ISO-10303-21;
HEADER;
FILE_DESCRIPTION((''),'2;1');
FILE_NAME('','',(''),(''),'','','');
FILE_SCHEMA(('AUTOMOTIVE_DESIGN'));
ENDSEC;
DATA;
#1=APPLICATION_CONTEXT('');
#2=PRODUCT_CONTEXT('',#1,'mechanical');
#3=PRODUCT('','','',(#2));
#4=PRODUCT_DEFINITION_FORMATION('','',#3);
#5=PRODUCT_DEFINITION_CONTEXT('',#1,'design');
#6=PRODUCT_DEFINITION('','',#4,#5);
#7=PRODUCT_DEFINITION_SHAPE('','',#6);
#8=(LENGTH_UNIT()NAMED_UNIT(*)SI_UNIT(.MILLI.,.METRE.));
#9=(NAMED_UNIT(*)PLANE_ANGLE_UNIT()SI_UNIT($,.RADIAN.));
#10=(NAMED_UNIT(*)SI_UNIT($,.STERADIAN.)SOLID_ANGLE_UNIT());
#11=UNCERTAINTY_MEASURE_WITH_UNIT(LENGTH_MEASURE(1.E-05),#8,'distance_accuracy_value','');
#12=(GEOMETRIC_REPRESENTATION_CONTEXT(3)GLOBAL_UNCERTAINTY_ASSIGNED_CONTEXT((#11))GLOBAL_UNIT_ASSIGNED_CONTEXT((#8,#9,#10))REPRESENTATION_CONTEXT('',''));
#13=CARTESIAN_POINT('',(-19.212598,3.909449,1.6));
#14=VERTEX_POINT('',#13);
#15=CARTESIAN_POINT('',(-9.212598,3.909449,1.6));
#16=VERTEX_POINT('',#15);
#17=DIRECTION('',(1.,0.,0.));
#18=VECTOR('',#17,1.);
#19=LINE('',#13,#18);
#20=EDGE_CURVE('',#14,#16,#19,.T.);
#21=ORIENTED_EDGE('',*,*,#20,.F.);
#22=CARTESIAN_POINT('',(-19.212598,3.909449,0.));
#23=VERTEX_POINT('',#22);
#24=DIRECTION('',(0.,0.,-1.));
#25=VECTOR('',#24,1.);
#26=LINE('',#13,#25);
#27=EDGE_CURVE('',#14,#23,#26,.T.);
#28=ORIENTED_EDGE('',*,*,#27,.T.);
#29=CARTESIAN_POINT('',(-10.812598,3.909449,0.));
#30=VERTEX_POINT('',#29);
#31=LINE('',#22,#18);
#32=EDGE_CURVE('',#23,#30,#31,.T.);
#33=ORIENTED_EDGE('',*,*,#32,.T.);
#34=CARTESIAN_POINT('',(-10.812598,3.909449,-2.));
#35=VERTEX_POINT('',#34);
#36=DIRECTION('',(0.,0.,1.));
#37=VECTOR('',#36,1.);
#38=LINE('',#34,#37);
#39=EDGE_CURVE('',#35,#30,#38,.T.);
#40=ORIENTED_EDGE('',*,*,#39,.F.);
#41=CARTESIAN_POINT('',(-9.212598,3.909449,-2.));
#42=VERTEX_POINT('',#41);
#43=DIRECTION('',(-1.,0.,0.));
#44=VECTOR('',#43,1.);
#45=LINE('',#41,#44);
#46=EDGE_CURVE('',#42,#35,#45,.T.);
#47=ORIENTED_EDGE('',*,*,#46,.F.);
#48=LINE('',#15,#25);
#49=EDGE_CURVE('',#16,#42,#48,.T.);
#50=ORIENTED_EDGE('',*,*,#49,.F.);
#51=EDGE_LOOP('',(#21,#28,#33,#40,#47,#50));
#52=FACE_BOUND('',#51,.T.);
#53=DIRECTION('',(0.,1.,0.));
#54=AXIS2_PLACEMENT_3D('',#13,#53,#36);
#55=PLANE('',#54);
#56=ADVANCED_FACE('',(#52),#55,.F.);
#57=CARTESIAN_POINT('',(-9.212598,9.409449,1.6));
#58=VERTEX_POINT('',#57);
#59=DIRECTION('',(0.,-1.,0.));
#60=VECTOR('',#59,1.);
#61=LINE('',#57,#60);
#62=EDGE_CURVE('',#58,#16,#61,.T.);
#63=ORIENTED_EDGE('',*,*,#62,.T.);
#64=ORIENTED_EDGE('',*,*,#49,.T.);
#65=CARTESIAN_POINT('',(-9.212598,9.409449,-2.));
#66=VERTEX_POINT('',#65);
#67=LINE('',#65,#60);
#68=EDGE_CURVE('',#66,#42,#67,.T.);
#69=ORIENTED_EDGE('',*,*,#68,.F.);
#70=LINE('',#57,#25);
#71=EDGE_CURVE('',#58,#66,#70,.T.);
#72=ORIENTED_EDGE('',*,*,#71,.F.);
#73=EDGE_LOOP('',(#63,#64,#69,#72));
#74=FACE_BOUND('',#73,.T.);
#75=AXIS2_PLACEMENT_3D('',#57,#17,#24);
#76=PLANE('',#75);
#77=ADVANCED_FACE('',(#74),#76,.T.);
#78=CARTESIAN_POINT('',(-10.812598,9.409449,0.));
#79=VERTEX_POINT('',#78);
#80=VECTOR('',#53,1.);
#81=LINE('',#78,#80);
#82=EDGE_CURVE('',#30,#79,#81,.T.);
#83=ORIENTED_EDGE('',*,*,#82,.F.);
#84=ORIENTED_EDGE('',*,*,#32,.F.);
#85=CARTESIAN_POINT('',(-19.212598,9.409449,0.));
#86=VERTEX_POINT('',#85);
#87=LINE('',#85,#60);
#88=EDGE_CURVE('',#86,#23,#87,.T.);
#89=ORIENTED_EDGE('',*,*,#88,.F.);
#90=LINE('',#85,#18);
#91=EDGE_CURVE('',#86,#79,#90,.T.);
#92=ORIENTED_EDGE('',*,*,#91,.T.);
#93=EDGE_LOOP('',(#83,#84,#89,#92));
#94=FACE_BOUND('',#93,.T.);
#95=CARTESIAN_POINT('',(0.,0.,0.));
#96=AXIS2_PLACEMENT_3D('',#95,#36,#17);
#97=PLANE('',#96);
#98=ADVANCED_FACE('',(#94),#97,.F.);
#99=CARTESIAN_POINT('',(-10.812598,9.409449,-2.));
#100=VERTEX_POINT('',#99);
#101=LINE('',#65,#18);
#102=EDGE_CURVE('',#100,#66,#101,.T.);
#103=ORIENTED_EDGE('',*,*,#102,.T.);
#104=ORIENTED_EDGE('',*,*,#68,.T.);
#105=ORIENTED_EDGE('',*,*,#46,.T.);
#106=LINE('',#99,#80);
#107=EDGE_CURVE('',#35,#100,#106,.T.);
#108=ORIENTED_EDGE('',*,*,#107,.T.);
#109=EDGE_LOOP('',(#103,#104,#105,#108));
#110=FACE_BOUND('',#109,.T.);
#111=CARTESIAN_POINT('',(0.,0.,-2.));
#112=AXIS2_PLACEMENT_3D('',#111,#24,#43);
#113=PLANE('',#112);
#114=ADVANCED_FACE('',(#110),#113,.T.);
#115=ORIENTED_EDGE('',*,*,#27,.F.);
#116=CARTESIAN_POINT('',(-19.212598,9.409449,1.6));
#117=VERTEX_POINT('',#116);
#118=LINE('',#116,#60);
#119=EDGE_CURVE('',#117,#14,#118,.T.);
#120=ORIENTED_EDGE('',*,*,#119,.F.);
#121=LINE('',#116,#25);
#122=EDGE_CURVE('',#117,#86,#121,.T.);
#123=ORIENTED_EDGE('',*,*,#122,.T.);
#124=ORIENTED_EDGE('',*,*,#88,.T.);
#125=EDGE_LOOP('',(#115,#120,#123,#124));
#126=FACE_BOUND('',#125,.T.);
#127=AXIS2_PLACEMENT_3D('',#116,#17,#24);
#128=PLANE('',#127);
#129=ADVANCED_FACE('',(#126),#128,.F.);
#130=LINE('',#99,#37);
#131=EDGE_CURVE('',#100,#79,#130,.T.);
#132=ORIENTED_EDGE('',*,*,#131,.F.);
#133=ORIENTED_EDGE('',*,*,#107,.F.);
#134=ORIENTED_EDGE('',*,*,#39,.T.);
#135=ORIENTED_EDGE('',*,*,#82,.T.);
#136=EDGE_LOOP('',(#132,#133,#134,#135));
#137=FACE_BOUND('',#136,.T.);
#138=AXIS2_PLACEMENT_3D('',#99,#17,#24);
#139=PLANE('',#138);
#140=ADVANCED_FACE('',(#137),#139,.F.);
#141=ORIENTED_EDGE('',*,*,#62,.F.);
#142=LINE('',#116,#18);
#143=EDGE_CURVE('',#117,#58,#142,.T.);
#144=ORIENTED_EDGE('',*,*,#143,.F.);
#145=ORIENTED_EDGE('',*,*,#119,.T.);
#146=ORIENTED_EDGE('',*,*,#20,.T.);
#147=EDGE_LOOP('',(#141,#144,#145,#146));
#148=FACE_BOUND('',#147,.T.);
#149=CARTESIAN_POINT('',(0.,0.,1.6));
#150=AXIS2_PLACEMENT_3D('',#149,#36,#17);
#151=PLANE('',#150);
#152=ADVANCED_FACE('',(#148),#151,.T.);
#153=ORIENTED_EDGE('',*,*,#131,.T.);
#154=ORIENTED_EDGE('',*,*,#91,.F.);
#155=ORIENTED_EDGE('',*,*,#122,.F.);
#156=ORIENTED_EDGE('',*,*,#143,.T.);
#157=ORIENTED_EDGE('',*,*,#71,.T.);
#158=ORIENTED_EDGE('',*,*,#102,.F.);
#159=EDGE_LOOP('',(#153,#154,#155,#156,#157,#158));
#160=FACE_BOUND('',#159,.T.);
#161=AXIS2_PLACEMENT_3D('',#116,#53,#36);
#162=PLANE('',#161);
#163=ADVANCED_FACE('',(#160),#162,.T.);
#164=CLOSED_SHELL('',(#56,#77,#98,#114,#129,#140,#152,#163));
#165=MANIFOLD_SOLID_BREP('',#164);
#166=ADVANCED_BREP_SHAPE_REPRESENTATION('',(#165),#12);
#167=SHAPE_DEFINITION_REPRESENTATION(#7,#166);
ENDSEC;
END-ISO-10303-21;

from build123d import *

# Parameters (mm, degrees)
SKETCH2_W           = 10
SKETCH2_H           = 5.5
BOSS_EXTRUDE1_DEPTH = 1.6
SKETCH3_W           = 1.6
SKETCH3_H           = 5.5
BOSS_EXTRUDE2_DEPTH = 2


with BuildPart() as part:
    # Sketch2 → Boss-Extrude1 (new body)
    with BuildSketch(Plane.XY):
        with Locations((-14.212598425, 6.659448819)):
            Rectangle(SKETCH2_W, SKETCH2_H)
    extrude(amount=BOSS_EXTRUDE1_DEPTH)

    # Sketch3 → Boss-Extrude2 (add)
    with BuildSketch(Plane(origin=(0, 0, 0), x_dir=(-1, 0, 0), z_dir=(0, 0, -1))):
        with Locations((10.012598425, 6.659448819)):
            Rectangle(SKETCH3_W, SKETCH3_H)
    extrude(amount=BOSS_EXTRUDE2_DEPTH)


solid = part.part
